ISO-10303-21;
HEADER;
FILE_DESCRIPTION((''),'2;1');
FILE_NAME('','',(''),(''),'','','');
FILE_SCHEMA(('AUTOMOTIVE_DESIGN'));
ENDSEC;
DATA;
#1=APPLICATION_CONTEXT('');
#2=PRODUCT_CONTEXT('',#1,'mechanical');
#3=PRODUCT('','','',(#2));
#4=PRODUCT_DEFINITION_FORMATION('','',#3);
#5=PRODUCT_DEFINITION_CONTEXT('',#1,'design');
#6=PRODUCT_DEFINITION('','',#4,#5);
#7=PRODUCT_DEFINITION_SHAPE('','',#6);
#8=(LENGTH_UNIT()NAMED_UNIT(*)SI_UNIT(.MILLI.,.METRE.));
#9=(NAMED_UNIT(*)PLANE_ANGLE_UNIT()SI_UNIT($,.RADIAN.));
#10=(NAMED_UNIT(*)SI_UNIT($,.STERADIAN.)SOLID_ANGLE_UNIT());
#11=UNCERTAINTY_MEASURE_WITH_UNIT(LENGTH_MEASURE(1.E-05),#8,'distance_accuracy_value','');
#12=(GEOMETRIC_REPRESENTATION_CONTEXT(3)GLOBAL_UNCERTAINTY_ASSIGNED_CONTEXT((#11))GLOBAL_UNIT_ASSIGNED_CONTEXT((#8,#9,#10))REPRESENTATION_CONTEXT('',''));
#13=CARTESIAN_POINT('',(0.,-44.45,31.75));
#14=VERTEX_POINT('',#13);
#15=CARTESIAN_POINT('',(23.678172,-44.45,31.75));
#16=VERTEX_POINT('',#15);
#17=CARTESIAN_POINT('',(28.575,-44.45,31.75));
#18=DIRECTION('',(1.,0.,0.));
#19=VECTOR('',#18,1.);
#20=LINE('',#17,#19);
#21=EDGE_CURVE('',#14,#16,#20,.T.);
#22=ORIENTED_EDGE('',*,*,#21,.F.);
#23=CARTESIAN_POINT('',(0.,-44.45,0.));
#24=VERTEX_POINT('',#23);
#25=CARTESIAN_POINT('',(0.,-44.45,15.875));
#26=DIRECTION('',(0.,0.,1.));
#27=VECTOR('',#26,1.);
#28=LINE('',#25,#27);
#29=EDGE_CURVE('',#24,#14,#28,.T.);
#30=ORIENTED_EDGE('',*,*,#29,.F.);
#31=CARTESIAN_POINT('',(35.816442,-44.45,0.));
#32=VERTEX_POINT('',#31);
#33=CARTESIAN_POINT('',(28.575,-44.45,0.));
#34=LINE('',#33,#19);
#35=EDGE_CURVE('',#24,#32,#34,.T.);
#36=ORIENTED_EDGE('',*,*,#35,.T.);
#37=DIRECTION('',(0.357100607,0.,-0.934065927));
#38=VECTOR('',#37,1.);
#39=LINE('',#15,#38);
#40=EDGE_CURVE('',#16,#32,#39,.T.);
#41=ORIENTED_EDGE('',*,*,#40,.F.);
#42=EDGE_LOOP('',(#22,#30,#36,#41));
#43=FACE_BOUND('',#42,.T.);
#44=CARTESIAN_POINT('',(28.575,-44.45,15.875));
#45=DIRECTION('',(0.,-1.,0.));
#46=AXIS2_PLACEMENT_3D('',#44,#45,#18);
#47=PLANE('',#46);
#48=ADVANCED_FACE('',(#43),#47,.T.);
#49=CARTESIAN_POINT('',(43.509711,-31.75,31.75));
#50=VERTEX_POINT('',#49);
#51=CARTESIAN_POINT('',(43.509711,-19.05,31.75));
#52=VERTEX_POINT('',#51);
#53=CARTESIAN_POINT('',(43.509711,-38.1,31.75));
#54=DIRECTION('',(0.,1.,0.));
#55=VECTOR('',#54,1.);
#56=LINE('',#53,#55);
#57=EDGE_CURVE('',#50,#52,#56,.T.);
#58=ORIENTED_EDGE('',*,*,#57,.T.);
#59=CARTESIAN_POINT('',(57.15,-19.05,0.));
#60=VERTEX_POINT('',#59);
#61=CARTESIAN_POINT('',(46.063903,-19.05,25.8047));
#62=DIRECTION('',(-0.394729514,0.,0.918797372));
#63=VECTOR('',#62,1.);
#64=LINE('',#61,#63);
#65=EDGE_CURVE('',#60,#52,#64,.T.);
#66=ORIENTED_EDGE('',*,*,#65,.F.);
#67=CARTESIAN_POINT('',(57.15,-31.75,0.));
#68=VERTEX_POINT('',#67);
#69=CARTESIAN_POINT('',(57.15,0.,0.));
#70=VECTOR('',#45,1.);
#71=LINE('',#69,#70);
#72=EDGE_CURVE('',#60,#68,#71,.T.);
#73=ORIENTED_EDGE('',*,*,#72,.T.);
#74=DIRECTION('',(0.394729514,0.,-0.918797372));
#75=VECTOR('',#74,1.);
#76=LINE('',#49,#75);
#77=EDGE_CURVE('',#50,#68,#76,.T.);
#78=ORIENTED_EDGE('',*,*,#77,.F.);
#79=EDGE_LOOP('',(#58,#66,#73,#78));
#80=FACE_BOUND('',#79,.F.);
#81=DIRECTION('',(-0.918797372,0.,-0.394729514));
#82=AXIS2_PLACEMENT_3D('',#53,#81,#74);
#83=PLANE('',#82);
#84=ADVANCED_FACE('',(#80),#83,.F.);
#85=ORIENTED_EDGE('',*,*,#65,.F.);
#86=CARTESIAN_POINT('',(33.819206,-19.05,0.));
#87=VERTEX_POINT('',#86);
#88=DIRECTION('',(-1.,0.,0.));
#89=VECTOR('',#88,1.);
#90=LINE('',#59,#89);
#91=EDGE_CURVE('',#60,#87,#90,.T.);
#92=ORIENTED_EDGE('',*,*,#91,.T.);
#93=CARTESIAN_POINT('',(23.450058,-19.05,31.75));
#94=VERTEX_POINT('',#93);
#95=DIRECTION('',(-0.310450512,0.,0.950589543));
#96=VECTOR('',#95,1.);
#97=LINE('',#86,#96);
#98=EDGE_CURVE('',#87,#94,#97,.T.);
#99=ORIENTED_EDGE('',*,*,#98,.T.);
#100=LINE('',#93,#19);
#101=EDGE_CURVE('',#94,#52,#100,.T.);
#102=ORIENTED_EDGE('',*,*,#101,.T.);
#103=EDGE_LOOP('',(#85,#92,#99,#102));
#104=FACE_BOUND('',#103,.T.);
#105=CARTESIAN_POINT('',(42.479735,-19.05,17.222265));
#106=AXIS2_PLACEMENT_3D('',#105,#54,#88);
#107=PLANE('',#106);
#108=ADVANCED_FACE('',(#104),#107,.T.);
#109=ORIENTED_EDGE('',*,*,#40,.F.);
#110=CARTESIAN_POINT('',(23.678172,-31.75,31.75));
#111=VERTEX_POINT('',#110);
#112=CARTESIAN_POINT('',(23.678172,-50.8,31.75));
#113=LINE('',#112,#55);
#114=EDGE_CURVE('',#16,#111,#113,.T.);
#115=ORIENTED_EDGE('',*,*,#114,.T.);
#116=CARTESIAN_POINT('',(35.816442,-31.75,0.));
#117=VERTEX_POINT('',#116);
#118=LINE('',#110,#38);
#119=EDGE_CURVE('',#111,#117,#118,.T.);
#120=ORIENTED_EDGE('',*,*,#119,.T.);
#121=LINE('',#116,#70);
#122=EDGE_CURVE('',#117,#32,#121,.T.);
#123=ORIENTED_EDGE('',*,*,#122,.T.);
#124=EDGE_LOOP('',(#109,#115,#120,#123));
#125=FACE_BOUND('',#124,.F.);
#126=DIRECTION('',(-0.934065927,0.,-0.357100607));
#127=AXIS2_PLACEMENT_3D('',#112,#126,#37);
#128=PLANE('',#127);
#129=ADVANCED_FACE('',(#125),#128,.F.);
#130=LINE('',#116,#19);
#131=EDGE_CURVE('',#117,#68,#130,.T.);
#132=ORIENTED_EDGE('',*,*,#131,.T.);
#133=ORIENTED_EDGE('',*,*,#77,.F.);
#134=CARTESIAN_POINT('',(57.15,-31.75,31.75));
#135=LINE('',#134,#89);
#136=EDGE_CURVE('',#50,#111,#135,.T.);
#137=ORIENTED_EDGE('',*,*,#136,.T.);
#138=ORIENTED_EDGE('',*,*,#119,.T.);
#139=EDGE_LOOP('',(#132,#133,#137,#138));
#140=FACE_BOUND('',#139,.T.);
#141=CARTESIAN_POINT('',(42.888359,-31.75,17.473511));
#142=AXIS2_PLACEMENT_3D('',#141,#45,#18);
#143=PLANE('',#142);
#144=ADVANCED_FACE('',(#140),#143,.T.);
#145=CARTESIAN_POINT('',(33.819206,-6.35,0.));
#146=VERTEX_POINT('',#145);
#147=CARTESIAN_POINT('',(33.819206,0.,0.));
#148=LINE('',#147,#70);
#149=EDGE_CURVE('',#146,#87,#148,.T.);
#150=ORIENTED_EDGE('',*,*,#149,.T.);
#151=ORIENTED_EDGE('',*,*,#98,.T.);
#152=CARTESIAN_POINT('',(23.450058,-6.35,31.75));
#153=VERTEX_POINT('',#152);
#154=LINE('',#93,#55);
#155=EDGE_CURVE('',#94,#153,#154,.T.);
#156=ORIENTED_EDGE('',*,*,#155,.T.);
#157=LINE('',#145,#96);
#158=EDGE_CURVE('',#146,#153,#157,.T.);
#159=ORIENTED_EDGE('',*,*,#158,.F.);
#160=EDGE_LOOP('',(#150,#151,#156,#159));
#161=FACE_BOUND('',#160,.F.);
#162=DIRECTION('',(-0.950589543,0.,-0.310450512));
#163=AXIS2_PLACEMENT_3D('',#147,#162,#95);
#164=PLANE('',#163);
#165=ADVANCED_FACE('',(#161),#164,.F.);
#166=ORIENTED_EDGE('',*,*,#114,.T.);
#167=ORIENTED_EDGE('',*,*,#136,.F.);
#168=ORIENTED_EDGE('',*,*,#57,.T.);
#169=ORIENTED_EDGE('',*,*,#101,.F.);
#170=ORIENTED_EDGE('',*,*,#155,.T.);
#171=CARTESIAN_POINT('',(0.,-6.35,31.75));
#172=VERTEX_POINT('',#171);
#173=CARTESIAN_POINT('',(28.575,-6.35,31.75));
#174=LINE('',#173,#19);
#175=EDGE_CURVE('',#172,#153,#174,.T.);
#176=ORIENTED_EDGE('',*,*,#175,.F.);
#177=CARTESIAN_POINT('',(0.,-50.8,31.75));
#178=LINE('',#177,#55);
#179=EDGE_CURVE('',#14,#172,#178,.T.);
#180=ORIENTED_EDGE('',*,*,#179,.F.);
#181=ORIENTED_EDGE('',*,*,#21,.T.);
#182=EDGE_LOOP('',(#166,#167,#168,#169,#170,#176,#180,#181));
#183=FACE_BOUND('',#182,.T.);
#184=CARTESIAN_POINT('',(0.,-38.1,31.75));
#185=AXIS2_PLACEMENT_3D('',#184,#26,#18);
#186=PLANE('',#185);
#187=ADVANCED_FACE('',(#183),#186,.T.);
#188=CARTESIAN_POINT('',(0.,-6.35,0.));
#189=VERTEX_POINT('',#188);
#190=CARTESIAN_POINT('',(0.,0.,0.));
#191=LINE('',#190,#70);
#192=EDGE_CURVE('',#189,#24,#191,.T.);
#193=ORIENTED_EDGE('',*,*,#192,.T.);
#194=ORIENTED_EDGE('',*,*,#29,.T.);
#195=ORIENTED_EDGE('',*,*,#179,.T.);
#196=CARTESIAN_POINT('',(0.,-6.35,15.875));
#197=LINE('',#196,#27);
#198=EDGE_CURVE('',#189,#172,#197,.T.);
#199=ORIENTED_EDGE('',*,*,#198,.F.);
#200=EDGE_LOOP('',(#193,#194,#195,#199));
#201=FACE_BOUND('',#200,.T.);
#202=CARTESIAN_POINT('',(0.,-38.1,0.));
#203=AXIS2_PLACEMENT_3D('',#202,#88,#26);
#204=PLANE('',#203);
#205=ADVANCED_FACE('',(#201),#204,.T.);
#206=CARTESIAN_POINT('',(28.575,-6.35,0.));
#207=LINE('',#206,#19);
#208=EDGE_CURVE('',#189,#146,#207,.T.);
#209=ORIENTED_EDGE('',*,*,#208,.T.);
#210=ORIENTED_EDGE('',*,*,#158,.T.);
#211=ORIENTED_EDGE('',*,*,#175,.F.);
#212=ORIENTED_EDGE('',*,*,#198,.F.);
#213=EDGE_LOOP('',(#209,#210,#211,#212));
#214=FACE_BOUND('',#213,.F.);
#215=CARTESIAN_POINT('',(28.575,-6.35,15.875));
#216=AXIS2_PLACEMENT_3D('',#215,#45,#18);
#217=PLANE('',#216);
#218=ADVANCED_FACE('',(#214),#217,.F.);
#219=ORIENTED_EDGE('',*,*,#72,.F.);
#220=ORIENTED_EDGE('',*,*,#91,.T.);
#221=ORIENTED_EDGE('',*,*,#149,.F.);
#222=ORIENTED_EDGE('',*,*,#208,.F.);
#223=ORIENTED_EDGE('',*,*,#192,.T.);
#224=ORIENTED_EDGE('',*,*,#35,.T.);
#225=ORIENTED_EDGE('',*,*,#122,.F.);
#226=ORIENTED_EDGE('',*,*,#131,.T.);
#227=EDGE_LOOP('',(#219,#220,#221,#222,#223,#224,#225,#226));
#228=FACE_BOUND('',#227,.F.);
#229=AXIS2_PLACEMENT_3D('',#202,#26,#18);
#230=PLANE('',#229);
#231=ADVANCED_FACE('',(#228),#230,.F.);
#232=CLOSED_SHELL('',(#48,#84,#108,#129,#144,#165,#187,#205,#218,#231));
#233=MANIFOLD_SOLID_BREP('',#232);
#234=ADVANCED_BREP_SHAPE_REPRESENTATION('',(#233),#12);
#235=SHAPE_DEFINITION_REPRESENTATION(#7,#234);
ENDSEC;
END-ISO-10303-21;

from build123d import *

# Parameters (mm, degrees)
F0_W      = 57.15
F0_H      = 31.75
F1_DEPTH  = 38.1
F2_DEPTH  = 12.7
F4_DEPTH  = 12.7
F6_DEPTH  = 12.7
F8_DEPTH  = 38.101
F9_DEPTH  = 6.35
F10_DEPTH = 6.35
F11_DEPTH = 6.35
F12_DEPTH = 6.35


with BuildPart() as f1:
    # F0 (on Front) → F1 (new body)
    with BuildSketch(Plane.XZ):
        with Locations((28.575, 15.875)):
            Rectangle(F0_W, F0_H)
    extrude(amount=F1_DEPTH)

    # F2 (add): a face of the model
    f2_faces = [f1.faces().sort_by_distance(p)[0] for p in [
        (28.575, -38.1, 15.875),
    ]]
    extrude(f2_faces, amount=F2_DEPTH)

    # F3 (on face) → F4 (cut)
    with BuildSketch(Plane.XZ.offset(50.8)):
        Polygon((57.15, 31.75), (23.6781723797, 31.75), (35.8164422214, 0), (57.15, 0), align=None)
    extrude(amount=-F4_DEPTH, mode=Mode.SUBTRACT)

    # F5 (on face) → F6 (cut)
    with BuildSketch(Plane(origin=(0, 0, 0), x_dir=(-1, 0, 0), z_dir=(0, 1, 0))):
        Polygon((-33.819206059, 0), (-23.4500579536, 31.75), (-57.15, 31.75), (-57.15, 0), align=None)
    extrude(amount=-F6_DEPTH, mode=Mode.SUBTRACT)

    # F7 (on face) → F8 (cut, through all)
    with BuildSketch(Plane.XZ.offset(38.1)):
        Polygon((57.15, 31.75), (43.5097105801, 31.75), (57.15, 0), align=None)
    extrude(amount=-F8_DEPTH, mode=Mode.SUBTRACT)

    # F9 (cut): a face of the model
    f9_faces = [f1.faces().sort_by_distance(p)[0] for p in [
        (40.1169646518, -38.1, 15.6819192663),
    ]]
    extrude(f9_faces, amount=-F9_DEPTH, mode=Mode.SUBTRACT)

    # F10 (cut): a face of the model
    f10_faces = [f1.faces().sort_by_distance(p)[0] for p in [
        (39.6330799675, -12.7, 15.4760691102),
    ]]
    extrude(f10_faces, amount=-F10_DEPTH, mode=Mode.SUBTRACT)

    # F11 (cut): a face of the model
    f11_faces = [f1.faces().sort_by_distance(p)[0] for p in [
        (14.4737687914, 0, 14.9168931282),
    ]]
    extrude(f11_faces, amount=-F11_DEPTH, mode=Mode.SUBTRACT)

    # F12 (cut): a face of the model
    f12_faces = [f1.faces().sort_by_distance(p)[0] for p in [
        (15.0800275041, -50.8, 14.7953782839),
    ]]
    extrude(f12_faces, amount=-F12_DEPTH, mode=Mode.SUBTRACT)


solid = f1.part
